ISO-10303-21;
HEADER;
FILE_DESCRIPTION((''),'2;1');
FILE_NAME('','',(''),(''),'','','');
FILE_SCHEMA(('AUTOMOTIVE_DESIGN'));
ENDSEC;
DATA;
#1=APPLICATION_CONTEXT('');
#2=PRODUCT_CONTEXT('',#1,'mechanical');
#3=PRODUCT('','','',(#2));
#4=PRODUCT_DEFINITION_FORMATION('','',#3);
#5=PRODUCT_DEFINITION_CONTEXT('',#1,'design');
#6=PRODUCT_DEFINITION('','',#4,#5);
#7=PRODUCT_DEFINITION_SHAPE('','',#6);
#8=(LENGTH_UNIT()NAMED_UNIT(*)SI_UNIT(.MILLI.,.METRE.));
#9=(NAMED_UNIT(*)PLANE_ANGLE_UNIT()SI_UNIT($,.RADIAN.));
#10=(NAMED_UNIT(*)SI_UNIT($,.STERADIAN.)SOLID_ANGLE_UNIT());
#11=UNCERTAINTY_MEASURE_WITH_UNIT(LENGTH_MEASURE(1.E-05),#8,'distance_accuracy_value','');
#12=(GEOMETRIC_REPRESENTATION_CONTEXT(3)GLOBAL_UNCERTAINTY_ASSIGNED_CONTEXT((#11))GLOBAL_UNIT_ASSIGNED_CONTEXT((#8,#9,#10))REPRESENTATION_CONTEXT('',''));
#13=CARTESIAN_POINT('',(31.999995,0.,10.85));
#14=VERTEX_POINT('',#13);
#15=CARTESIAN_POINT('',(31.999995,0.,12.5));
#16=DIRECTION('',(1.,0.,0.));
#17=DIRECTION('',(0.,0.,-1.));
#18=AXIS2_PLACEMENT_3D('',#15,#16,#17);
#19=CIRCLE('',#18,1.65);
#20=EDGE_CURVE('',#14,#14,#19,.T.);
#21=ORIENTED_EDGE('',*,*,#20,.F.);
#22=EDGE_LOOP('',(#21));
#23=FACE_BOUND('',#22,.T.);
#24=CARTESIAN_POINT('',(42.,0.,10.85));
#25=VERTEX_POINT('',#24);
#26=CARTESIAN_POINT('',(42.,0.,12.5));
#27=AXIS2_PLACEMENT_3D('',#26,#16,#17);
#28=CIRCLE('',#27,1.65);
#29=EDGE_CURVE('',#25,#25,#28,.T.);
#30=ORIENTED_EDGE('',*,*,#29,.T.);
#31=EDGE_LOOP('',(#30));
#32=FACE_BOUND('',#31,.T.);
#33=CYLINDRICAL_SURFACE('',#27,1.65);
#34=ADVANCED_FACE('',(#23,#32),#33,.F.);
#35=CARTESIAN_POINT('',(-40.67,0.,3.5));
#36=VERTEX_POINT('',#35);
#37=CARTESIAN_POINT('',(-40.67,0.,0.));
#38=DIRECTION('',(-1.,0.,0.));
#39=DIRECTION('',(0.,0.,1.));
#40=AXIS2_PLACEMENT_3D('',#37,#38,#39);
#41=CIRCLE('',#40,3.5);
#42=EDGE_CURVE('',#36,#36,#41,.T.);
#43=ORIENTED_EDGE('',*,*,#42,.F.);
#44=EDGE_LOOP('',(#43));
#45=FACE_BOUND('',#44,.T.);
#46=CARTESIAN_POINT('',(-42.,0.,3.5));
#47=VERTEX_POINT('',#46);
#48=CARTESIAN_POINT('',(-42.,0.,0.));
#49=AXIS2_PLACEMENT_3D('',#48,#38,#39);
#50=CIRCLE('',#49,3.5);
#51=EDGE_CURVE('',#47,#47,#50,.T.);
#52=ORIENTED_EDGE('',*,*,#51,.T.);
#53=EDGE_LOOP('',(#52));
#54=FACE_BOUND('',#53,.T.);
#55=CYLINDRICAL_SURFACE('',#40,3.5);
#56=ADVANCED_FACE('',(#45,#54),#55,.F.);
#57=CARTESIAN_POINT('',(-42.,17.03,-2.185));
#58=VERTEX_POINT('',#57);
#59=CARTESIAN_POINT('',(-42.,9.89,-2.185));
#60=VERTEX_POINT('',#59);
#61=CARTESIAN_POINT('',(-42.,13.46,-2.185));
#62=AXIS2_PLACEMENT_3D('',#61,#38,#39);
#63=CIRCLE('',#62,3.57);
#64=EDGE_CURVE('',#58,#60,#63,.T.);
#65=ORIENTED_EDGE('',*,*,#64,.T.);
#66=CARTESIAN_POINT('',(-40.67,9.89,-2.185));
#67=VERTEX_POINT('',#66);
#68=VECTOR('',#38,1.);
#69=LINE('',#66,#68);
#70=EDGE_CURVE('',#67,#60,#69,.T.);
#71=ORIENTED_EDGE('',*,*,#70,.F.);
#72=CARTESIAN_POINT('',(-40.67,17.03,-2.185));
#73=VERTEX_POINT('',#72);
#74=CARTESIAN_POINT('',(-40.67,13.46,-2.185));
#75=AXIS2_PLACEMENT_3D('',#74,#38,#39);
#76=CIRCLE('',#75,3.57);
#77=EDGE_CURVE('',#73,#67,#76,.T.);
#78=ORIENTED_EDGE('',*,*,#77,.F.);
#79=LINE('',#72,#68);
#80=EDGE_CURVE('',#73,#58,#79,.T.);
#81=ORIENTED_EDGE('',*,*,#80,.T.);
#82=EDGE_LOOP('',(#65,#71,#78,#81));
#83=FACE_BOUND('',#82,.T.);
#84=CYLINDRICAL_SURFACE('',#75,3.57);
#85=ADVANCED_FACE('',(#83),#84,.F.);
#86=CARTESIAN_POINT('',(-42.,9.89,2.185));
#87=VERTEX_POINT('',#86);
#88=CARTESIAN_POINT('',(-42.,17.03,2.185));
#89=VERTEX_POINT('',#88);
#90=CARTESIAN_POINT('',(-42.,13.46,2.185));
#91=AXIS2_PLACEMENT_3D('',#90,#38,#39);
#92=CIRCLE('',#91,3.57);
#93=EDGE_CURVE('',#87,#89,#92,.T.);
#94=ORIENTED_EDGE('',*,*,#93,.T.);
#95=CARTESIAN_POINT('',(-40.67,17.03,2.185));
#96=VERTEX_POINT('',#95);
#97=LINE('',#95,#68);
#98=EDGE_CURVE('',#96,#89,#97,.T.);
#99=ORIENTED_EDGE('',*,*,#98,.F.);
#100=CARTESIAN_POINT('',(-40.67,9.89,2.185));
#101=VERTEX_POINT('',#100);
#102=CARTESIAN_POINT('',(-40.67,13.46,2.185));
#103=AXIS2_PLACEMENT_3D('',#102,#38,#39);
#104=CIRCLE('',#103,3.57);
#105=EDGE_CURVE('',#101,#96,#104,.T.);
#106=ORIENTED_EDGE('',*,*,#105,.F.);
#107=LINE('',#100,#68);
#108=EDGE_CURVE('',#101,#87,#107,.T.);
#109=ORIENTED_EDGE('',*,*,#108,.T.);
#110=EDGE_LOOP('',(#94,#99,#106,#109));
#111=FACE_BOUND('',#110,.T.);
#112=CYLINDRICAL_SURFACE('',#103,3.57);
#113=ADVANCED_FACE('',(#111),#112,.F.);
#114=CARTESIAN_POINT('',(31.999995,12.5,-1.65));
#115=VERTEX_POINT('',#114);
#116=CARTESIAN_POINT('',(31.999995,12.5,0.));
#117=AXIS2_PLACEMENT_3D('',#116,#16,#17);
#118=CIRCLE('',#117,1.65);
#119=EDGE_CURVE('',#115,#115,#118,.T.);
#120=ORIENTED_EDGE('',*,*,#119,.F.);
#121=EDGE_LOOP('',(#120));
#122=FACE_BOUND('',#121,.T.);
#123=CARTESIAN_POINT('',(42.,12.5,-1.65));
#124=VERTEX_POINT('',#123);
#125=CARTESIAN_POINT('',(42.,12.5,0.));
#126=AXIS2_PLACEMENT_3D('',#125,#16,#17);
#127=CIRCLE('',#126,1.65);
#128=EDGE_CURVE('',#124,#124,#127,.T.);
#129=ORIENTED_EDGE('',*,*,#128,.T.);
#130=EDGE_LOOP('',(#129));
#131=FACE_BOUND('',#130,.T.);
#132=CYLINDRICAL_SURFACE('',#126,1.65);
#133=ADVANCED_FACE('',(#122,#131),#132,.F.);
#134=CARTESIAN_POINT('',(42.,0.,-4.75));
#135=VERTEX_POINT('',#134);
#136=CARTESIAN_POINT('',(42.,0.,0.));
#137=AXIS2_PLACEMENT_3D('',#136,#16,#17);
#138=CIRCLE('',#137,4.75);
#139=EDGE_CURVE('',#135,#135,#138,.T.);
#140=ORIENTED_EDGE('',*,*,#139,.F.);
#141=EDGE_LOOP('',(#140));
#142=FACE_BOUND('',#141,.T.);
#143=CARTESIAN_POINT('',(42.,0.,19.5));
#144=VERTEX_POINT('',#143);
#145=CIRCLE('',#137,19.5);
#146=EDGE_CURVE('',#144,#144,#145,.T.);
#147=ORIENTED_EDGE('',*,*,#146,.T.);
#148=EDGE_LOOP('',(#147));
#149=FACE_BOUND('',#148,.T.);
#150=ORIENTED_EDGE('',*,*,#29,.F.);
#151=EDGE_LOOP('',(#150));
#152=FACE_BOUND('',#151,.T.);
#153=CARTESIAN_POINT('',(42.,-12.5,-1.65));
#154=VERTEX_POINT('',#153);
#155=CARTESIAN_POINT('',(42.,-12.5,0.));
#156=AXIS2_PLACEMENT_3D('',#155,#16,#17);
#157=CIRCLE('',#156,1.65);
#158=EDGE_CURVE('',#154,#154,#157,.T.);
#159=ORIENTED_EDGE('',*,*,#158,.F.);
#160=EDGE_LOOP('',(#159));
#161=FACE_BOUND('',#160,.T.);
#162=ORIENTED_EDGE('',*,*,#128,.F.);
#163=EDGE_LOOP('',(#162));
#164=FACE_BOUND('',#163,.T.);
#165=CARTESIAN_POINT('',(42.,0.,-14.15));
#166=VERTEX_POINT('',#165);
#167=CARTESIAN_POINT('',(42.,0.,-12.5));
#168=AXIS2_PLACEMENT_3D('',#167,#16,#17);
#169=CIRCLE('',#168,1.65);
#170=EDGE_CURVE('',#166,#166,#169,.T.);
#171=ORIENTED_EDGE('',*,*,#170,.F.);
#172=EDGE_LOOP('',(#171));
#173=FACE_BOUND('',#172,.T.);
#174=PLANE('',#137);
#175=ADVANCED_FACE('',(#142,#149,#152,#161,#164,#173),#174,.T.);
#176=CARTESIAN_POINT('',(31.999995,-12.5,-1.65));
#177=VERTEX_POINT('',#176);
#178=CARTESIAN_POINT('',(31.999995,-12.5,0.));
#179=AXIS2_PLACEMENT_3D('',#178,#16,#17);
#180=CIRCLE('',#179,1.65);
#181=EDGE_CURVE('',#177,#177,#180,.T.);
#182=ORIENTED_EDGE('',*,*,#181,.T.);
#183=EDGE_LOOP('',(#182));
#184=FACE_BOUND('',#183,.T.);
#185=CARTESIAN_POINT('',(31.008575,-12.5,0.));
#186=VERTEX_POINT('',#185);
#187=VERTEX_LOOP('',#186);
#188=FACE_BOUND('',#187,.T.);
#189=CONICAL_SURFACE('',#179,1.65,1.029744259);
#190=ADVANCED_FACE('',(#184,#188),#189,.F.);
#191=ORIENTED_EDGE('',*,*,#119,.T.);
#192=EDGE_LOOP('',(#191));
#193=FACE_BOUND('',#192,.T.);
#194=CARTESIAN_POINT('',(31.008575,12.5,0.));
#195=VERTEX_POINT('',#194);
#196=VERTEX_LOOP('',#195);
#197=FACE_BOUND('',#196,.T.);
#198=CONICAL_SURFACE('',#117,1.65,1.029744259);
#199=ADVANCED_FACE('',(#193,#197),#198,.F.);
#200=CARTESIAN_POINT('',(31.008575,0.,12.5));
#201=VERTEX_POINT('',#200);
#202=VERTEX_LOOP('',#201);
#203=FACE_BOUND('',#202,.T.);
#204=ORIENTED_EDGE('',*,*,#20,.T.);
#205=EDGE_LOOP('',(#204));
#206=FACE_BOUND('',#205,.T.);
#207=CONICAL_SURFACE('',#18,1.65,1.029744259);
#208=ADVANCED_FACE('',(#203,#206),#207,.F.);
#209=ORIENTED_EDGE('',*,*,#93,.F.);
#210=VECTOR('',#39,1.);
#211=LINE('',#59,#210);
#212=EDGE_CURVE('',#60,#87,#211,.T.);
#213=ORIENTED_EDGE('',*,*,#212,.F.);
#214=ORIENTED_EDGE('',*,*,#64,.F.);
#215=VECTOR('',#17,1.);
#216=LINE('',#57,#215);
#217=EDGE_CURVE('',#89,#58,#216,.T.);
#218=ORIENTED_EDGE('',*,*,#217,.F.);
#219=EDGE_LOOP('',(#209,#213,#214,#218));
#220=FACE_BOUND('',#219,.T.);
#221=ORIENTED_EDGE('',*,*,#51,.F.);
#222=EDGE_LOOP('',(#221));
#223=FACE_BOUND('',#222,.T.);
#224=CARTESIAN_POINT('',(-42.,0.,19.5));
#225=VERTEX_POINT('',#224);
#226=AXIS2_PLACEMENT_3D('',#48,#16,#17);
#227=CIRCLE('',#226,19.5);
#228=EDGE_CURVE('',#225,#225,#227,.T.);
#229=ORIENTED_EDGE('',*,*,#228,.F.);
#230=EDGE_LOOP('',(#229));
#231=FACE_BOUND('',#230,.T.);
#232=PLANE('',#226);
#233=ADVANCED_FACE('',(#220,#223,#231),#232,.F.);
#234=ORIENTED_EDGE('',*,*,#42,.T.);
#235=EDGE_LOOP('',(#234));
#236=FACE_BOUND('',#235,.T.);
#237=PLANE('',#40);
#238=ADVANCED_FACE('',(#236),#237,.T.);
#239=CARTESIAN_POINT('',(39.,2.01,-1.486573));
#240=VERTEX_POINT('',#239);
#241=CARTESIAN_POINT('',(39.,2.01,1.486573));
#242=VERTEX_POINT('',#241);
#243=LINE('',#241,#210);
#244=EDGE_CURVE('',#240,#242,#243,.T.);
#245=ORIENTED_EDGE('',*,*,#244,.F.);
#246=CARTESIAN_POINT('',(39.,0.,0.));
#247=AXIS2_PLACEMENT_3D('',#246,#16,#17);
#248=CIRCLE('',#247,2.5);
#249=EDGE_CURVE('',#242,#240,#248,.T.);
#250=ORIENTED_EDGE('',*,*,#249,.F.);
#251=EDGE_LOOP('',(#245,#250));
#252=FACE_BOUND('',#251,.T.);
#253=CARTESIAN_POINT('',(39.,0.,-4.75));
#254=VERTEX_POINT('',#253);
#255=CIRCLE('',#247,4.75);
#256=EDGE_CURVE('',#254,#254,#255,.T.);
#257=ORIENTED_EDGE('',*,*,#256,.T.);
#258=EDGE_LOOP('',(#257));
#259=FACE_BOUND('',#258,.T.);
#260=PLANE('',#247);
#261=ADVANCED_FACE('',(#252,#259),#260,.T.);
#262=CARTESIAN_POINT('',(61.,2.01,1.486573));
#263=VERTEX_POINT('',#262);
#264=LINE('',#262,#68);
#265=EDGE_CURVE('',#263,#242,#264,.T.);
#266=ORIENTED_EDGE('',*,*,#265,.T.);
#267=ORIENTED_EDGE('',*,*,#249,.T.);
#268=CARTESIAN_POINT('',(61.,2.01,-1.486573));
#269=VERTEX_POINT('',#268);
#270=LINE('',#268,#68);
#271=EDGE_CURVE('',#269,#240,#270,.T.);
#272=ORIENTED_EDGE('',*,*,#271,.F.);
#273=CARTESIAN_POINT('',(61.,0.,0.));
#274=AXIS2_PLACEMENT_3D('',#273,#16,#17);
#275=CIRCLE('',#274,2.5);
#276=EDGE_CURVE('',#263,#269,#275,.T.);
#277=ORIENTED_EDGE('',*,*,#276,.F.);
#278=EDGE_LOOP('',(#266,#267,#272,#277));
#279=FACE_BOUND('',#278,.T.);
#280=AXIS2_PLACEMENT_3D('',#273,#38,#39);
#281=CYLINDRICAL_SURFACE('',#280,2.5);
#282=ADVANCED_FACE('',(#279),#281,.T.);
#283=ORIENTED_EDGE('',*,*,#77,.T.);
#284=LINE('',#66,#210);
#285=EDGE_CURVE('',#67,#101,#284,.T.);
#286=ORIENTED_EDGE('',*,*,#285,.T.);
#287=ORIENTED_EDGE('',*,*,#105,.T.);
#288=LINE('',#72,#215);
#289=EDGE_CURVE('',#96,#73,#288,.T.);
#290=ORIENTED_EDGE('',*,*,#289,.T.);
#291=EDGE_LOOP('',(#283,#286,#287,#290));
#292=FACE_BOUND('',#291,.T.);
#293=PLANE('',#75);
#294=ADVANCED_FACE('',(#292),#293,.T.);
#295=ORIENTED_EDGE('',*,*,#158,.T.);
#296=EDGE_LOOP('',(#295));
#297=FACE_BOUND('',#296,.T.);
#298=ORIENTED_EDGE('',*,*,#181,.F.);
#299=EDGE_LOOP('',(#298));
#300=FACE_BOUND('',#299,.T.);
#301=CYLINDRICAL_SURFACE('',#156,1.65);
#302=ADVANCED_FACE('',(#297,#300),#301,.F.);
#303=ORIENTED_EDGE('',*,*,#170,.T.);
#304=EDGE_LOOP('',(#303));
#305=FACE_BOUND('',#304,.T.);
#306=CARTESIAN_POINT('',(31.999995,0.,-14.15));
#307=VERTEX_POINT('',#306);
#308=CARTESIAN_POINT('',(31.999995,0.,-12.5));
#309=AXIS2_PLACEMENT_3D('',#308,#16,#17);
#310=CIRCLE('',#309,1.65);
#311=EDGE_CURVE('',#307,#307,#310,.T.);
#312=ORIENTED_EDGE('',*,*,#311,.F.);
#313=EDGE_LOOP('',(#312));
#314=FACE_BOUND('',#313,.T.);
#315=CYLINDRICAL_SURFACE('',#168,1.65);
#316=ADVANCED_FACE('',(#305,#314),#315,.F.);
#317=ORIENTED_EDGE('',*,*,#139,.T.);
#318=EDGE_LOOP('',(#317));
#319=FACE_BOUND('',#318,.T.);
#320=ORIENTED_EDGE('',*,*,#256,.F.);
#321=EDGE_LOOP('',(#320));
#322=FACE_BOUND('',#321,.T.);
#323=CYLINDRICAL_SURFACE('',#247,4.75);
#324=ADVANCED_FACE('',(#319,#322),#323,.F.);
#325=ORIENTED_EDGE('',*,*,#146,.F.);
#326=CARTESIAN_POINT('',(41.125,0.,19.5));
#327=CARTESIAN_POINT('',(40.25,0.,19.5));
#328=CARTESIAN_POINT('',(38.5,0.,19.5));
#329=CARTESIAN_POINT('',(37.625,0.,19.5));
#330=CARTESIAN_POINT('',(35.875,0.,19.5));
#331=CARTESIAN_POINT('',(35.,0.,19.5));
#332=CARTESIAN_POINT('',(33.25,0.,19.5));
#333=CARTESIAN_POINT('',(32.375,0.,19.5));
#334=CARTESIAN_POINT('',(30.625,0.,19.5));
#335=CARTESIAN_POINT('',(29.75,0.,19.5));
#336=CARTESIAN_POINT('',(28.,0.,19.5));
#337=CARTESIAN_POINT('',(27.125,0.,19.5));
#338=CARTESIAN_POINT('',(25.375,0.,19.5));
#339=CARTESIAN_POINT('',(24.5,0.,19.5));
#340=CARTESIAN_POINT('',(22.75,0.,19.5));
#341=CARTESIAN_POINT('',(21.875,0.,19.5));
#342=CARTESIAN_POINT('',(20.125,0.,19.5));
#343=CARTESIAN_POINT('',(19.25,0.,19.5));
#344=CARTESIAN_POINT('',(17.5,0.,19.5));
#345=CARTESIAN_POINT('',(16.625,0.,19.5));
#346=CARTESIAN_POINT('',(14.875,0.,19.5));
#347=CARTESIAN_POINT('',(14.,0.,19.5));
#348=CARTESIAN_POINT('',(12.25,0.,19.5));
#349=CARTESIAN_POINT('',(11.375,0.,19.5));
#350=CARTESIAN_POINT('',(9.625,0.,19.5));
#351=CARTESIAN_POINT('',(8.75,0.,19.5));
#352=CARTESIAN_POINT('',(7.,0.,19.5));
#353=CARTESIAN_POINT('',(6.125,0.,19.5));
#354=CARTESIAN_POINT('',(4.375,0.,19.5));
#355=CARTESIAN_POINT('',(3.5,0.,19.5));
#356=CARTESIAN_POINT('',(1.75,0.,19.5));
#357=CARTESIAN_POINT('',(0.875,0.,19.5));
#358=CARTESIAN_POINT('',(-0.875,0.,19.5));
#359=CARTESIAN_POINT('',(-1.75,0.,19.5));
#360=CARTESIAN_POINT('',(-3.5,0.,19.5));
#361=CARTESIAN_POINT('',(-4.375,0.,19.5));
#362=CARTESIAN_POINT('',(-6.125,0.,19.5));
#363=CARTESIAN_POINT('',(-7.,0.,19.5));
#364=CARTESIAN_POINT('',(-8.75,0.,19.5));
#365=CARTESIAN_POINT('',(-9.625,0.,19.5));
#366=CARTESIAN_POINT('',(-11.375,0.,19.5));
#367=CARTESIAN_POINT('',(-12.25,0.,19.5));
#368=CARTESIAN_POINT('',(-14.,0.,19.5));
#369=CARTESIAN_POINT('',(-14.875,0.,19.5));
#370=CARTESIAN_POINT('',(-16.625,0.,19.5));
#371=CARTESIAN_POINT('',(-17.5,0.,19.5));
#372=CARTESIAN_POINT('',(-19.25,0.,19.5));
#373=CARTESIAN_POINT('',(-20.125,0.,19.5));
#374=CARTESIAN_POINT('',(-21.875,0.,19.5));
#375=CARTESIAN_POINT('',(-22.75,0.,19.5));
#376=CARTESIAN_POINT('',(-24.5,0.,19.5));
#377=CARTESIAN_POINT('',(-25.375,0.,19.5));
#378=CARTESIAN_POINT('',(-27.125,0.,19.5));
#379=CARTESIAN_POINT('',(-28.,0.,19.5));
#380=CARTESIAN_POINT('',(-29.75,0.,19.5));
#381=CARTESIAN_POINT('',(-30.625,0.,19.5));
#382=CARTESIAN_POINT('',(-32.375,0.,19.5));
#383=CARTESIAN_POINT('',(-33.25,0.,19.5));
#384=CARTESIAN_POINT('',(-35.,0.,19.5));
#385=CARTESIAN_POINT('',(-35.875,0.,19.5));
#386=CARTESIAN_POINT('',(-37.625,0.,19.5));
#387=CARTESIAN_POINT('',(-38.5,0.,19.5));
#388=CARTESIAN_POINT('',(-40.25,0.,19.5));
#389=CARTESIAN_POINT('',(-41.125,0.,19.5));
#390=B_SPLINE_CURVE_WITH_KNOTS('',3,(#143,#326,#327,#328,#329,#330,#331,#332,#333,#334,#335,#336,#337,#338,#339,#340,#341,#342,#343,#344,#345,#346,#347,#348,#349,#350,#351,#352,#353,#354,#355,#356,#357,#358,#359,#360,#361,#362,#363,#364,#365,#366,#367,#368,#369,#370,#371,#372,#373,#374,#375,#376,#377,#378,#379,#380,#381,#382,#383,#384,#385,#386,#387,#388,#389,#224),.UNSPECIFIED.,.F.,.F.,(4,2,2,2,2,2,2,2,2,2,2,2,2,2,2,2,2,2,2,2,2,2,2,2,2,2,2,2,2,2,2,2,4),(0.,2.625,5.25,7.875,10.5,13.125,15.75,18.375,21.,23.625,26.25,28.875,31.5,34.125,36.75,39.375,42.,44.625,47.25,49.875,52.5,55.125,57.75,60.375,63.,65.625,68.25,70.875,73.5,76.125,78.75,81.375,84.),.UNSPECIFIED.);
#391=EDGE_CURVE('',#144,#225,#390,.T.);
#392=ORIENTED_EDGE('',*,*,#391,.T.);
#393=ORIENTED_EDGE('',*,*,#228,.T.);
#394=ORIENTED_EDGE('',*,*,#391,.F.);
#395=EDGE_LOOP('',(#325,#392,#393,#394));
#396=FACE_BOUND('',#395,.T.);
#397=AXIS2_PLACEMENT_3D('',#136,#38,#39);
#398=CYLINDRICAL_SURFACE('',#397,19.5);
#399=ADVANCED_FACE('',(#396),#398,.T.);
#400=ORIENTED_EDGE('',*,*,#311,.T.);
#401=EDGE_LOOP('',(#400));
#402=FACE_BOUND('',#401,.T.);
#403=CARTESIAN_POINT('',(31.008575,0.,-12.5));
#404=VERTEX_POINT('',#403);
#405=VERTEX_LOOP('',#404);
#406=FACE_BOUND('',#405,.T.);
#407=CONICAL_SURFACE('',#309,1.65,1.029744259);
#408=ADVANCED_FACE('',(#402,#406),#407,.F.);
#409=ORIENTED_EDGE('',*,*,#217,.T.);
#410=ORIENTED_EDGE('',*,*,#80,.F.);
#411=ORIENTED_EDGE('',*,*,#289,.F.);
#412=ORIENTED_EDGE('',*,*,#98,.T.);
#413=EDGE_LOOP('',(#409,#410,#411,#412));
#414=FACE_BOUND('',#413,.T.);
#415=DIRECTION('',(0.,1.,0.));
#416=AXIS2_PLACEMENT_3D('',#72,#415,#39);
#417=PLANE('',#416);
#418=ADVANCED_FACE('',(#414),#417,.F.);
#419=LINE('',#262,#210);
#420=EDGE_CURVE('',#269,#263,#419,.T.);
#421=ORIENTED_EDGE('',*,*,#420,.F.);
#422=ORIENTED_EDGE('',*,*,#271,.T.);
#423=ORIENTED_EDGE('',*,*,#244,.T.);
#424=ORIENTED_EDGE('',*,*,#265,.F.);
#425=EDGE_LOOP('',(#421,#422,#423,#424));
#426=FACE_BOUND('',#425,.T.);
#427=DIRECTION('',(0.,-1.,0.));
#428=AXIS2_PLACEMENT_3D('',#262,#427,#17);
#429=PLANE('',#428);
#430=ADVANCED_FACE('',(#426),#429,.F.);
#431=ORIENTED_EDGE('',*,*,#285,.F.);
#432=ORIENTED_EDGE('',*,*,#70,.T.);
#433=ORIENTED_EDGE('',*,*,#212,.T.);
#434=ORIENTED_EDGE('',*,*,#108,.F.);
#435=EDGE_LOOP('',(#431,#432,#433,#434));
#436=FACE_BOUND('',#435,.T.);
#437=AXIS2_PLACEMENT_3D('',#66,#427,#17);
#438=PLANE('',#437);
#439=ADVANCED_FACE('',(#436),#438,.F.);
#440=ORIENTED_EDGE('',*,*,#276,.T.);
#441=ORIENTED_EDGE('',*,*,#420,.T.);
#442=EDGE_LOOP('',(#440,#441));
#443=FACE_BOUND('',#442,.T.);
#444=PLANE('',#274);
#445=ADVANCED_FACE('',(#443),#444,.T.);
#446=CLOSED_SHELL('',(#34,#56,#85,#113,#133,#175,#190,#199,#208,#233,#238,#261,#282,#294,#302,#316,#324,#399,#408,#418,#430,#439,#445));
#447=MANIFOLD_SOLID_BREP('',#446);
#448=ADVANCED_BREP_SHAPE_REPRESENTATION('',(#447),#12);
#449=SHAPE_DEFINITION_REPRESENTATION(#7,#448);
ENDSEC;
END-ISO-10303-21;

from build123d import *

# Parameters (mm, degrees)
SKETCH1_R                       = 19.5
BOSS_EXTRUDE1_DEPTH             = 42
SKETCH2_R                       = 4.75
CUT_EXTRUDE1_DEPTH              = 3
BOSS_EXTRUDE2_DEPTH             = 22
TAP_DRILL_FOR_M4X0_7_TAP1_D     = 3.3
TAP_DRILL_FOR_M4X0_7_TAP1_DEPTH = 10.0000054
TAP_DRILL_FOR_M4X0_7_TAP1_TIP   = 0.991420021
SKETCH6_R                       = 3.5
CUT_EXTRUDE2_DEPTH              = 1.33


with BuildPart() as part:
    # Sketch1 → Boss-Extrude1 (new, symmetric)
    with BuildSketch(Plane(origin=(0, 0, 0), x_dir=(0, 0, -1), z_dir=(1, 0, 0))):
        with Locations(Location((0, 0, 0), (0, 0, 180))):
            Circle(SKETCH1_R)
    extrude(amount=BOSS_EXTRUDE1_DEPTH, both=True)

    # Sketch2 → Cut-Extrude1 (cut)
    with BuildSketch(Plane(origin=(42, 0, 0), x_dir=(0, 0, -1), z_dir=(1, 0, 0))):
        Circle(SKETCH2_R)
    extrude(amount=-CUT_EXTRUDE1_DEPTH, mode=Mode.SUBTRACT)

    # Sketch3 → Boss-Extrude2 (add)
    with BuildSketch(Plane(origin=(39, 0, 0), x_dir=(0, 0, -1), z_dir=(1, 0, 0))):
        with BuildLine():
            Line((-1.486573241, 2.01), (1.486573241, 2.01))
            ThreePointArc((1.486573241, 2.01), (0, -2.5), (-1.486573241, 2.01))
        make_face()
    extrude(amount=BOSS_EXTRUDE2_DEPTH)

    # Tap Drill for M4x0.7 Tap1
    with Locations(Plane(origin=(42, 0, 0), x_dir=(0, 0, -1), z_dir=(1, 0, 0))):
        with Locations((0, 12.5), (12.5, 0), (0, -12.5), (-12.5, 0)):
            Hole(TAP_DRILL_FOR_M4X0_7_TAP1_D / 2, depth=TAP_DRILL_FOR_M4X0_7_TAP1_DEPTH)
            with Locations((0, 0, -(TAP_DRILL_FOR_M4X0_7_TAP1_DEPTH + TAP_DRILL_FOR_M4X0_7_TAP1_TIP / 2))):  # 118° drill point
                Cone(0, TAP_DRILL_FOR_M4X0_7_TAP1_D / 2, TAP_DRILL_FOR_M4X0_7_TAP1_TIP, mode=Mode.SUBTRACT)

    # Sketch6 → Cut-Extrude2 (cut)
    with BuildSketch(Plane.ZY.offset(42)):
        Circle(SKETCH6_R)
        with BuildLine():
            Line((-2.185, 17.03), (2.185, 17.03))
            ThreePointArc((2.185, 17.03), (5.755, 13.46), (2.185, 9.89))
            Line((2.185, 9.89), (-2.185, 9.89))
            ThreePointArc((-2.185, 9.89), (-5.755, 13.46), (-2.185, 17.03))
        make_face()
    extrude(amount=-CUT_EXTRUDE2_DEPTH, mode=Mode.SUBTRACT)


solid = part.part
